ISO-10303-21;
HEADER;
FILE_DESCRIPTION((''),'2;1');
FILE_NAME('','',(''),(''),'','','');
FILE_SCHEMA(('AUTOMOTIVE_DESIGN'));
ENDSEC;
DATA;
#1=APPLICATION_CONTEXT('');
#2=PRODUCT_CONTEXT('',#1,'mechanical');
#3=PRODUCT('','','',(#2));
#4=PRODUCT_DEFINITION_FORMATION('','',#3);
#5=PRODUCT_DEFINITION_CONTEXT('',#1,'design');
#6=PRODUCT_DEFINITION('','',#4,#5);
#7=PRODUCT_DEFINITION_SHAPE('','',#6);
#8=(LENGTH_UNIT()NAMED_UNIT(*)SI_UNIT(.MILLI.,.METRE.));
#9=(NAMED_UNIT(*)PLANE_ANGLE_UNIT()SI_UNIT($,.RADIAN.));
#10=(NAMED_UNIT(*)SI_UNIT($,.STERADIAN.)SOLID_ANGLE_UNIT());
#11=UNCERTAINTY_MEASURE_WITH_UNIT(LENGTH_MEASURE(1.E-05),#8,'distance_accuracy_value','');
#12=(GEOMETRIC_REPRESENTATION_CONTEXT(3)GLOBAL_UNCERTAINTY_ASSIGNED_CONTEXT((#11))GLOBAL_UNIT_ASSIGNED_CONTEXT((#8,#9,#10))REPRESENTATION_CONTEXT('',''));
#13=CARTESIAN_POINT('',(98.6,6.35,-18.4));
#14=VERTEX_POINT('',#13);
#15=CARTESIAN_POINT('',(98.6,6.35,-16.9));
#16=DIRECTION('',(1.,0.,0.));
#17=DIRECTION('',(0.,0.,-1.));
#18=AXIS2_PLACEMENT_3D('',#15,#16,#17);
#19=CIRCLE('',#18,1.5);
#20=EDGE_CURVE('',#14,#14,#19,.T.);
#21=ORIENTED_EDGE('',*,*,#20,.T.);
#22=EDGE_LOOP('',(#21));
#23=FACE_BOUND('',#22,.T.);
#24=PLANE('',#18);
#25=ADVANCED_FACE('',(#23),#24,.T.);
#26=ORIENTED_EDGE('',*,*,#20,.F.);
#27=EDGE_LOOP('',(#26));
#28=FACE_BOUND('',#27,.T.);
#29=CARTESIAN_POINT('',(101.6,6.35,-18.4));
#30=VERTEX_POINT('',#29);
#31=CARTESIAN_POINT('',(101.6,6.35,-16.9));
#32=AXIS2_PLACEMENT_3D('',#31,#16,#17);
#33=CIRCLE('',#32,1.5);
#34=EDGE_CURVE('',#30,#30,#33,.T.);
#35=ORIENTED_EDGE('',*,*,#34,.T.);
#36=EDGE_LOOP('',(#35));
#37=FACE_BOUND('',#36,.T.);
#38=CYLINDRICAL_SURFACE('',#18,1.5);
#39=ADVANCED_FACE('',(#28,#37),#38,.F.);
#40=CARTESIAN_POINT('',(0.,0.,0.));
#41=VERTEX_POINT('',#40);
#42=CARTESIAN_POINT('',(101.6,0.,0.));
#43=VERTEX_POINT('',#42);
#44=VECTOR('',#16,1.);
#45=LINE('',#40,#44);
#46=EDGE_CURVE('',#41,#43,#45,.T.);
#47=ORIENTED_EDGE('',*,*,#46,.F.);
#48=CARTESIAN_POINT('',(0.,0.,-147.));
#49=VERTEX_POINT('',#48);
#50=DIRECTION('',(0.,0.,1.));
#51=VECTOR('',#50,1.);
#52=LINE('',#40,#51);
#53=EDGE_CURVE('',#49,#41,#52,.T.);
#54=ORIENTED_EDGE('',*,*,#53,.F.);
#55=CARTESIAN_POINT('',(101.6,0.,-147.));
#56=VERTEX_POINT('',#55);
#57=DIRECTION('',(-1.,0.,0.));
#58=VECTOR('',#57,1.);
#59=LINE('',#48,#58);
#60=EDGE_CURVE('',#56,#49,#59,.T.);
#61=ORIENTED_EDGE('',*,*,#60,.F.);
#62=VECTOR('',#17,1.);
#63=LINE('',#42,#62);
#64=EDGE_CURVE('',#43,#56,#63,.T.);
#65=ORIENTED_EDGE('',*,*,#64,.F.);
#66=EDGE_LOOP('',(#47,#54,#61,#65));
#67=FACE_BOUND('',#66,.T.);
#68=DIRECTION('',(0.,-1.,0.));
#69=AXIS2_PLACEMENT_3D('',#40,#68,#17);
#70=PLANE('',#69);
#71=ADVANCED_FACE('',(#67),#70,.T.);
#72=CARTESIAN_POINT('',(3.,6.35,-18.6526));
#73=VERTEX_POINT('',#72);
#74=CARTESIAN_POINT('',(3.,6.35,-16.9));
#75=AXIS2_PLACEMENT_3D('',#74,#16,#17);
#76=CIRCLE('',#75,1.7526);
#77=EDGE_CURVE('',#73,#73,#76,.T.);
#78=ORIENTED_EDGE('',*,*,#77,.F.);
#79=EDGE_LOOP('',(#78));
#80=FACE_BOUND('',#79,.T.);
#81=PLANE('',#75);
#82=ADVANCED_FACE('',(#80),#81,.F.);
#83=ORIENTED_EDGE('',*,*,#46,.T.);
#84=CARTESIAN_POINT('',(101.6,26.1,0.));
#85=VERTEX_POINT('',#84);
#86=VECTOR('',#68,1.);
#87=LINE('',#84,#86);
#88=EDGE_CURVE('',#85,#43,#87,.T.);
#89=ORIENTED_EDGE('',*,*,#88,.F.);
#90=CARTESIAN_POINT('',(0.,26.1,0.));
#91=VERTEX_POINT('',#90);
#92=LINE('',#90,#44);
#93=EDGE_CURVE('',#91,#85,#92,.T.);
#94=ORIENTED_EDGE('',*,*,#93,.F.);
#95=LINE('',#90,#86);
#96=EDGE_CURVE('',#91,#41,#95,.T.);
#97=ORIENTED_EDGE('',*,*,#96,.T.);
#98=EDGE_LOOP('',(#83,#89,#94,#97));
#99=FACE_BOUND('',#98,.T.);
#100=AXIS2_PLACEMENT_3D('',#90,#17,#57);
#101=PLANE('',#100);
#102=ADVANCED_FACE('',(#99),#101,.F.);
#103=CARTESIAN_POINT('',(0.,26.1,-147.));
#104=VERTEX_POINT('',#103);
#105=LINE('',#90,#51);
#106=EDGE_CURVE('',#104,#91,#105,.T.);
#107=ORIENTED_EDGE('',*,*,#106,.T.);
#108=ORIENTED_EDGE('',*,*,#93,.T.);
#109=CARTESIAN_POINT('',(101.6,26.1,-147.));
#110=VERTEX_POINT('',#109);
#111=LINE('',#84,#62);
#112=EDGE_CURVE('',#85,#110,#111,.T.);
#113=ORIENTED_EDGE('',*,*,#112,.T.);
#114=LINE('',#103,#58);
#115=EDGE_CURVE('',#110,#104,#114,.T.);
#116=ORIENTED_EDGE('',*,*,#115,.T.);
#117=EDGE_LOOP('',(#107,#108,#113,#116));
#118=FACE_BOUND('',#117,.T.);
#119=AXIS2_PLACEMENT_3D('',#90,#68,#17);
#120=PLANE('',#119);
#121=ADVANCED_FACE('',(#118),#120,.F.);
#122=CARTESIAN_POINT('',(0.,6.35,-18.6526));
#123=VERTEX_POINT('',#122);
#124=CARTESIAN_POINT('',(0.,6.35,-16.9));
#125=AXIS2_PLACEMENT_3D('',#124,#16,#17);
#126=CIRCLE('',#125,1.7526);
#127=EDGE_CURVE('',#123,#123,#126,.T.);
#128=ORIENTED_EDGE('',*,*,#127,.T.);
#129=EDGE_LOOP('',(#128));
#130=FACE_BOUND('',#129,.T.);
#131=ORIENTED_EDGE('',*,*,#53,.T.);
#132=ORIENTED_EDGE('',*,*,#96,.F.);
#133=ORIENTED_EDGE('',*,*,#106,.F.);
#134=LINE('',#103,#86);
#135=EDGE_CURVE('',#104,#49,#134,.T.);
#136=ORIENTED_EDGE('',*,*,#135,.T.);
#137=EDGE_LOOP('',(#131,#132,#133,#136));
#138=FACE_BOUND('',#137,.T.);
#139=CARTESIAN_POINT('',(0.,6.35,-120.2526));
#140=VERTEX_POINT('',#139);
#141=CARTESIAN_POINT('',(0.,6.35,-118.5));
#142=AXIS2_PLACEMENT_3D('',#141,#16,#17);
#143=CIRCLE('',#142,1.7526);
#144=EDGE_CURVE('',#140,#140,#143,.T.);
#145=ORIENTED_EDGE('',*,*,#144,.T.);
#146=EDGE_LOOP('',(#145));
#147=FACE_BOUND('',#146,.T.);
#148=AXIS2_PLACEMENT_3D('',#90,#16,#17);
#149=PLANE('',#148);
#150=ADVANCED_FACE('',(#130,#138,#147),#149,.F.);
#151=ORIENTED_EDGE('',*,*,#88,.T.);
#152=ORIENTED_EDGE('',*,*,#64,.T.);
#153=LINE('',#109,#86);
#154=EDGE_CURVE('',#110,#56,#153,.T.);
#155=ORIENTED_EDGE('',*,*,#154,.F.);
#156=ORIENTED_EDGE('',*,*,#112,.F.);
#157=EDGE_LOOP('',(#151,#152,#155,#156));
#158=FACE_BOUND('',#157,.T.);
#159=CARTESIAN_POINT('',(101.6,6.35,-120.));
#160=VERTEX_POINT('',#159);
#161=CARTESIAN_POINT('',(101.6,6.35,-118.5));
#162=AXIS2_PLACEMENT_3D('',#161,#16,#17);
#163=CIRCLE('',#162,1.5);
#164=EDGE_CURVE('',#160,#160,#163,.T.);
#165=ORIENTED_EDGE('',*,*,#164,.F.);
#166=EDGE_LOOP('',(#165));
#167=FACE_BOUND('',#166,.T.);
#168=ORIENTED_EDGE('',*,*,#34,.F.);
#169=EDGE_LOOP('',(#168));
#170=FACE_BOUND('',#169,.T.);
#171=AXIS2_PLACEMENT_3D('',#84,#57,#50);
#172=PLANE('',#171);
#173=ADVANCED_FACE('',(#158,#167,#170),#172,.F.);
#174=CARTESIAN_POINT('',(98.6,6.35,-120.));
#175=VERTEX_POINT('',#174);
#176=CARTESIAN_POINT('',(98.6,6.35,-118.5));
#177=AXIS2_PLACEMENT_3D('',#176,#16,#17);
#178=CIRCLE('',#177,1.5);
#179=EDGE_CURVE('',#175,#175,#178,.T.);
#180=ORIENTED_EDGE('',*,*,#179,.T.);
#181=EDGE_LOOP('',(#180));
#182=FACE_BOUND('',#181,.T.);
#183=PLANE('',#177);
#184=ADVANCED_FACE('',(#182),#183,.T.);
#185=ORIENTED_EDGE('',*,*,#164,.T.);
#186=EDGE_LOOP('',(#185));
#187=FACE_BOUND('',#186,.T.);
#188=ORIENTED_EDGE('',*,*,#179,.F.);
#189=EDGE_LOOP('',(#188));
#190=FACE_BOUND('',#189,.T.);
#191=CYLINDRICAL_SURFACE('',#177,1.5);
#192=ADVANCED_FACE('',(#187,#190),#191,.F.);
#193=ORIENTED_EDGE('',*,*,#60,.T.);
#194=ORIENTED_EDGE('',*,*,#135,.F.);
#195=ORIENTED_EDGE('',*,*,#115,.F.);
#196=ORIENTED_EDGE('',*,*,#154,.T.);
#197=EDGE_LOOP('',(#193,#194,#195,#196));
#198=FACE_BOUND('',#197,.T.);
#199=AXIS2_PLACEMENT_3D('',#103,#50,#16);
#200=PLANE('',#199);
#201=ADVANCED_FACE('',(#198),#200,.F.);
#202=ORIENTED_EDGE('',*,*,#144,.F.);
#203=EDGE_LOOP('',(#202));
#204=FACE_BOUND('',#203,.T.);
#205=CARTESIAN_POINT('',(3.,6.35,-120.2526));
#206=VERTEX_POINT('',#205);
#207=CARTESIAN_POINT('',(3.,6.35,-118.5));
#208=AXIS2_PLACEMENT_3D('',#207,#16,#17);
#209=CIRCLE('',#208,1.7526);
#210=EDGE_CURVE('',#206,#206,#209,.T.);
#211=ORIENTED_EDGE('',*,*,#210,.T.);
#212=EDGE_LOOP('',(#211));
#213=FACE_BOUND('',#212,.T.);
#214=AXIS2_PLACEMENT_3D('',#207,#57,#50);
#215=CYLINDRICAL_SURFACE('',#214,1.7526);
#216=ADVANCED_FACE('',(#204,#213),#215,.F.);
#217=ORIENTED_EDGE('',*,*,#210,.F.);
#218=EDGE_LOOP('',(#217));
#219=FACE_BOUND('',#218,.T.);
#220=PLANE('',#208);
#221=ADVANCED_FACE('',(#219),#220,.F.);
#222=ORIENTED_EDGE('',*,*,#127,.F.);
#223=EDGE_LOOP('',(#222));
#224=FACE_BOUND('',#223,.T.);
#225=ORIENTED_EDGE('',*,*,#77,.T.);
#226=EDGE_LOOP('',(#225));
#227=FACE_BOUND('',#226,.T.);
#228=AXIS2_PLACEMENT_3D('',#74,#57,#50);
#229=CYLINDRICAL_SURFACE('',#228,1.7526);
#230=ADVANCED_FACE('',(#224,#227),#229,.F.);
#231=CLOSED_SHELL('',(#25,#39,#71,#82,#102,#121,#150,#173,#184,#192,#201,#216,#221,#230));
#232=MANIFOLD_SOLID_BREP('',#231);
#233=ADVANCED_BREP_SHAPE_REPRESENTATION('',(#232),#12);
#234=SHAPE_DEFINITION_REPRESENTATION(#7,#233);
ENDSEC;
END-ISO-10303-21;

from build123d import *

# Parameters (mm, degrees)
SKETCH1_W           = 101.6
SKETCH1_H           = 147
BOSS_EXTRUDE1_DEPTH = 26.1
SKETCH2_R           = 1.7526
BOSS_EXTRUDE2_DEPTH = 3.175
SKETCH2_2_R         = 1.7526
CUT_EXTRUDE2_DEPTH  = 3
SKETCH4_R           = 1.5
CUT_EXTRUDE3_DEPTH  = 3


with BuildPart() as part:
    # Sketch1 → Boss-Extrude1 (new body)
    with BuildSketch(Plane(origin=(0, 0, 0), x_dir=(1, 0, 0), z_dir=(0, 1, 0))):
        with Locations((50.8, 73.5)):
            Rectangle(SKETCH1_W, SKETCH1_H)
    extrude(amount=BOSS_EXTRUDE1_DEPTH)

    # Sketch2 → Boss-Extrude2 (add)
    with BuildSketch(Plane(origin=(0, 0, 0), x_dir=(0, 0, -1), z_dir=(1, 0, 0))):
        with Locations((16.9, 6.35)):
            Circle(SKETCH2_R)
        with Locations((118.5, 6.35)):
            Circle(SKETCH2_R)
    extrude(amount=BOSS_EXTRUDE2_DEPTH)

    # Sketch2<2> → Cut-Extrude2 (cut)
    with BuildSketch(Plane(origin=(0, 0, 0), x_dir=(0, 0, -1), z_dir=(1, 0, 0))):
        with Locations((16.9, 6.35)):
            Circle(SKETCH2_2_R)
        with Locations((118.5, 6.35)):
            Circle(SKETCH2_2_R)
    extrude(amount=CUT_EXTRUDE2_DEPTH, mode=Mode.SUBTRACT)

    # Sketch4 → Cut-Extrude3 (cut)
    with BuildSketch(Plane(origin=(101.6, 0, 0), x_dir=(0, 0, -1), z_dir=(1, 0, 0))):
        with Locations((118.5, 6.35)):
            Circle(SKETCH4_R)
        with Locations((16.9, 6.35)):
            Circle(SKETCH4_R)
    extrude(amount=-CUT_EXTRUDE3_DEPTH, mode=Mode.SUBTRACT)


solid = part.part
